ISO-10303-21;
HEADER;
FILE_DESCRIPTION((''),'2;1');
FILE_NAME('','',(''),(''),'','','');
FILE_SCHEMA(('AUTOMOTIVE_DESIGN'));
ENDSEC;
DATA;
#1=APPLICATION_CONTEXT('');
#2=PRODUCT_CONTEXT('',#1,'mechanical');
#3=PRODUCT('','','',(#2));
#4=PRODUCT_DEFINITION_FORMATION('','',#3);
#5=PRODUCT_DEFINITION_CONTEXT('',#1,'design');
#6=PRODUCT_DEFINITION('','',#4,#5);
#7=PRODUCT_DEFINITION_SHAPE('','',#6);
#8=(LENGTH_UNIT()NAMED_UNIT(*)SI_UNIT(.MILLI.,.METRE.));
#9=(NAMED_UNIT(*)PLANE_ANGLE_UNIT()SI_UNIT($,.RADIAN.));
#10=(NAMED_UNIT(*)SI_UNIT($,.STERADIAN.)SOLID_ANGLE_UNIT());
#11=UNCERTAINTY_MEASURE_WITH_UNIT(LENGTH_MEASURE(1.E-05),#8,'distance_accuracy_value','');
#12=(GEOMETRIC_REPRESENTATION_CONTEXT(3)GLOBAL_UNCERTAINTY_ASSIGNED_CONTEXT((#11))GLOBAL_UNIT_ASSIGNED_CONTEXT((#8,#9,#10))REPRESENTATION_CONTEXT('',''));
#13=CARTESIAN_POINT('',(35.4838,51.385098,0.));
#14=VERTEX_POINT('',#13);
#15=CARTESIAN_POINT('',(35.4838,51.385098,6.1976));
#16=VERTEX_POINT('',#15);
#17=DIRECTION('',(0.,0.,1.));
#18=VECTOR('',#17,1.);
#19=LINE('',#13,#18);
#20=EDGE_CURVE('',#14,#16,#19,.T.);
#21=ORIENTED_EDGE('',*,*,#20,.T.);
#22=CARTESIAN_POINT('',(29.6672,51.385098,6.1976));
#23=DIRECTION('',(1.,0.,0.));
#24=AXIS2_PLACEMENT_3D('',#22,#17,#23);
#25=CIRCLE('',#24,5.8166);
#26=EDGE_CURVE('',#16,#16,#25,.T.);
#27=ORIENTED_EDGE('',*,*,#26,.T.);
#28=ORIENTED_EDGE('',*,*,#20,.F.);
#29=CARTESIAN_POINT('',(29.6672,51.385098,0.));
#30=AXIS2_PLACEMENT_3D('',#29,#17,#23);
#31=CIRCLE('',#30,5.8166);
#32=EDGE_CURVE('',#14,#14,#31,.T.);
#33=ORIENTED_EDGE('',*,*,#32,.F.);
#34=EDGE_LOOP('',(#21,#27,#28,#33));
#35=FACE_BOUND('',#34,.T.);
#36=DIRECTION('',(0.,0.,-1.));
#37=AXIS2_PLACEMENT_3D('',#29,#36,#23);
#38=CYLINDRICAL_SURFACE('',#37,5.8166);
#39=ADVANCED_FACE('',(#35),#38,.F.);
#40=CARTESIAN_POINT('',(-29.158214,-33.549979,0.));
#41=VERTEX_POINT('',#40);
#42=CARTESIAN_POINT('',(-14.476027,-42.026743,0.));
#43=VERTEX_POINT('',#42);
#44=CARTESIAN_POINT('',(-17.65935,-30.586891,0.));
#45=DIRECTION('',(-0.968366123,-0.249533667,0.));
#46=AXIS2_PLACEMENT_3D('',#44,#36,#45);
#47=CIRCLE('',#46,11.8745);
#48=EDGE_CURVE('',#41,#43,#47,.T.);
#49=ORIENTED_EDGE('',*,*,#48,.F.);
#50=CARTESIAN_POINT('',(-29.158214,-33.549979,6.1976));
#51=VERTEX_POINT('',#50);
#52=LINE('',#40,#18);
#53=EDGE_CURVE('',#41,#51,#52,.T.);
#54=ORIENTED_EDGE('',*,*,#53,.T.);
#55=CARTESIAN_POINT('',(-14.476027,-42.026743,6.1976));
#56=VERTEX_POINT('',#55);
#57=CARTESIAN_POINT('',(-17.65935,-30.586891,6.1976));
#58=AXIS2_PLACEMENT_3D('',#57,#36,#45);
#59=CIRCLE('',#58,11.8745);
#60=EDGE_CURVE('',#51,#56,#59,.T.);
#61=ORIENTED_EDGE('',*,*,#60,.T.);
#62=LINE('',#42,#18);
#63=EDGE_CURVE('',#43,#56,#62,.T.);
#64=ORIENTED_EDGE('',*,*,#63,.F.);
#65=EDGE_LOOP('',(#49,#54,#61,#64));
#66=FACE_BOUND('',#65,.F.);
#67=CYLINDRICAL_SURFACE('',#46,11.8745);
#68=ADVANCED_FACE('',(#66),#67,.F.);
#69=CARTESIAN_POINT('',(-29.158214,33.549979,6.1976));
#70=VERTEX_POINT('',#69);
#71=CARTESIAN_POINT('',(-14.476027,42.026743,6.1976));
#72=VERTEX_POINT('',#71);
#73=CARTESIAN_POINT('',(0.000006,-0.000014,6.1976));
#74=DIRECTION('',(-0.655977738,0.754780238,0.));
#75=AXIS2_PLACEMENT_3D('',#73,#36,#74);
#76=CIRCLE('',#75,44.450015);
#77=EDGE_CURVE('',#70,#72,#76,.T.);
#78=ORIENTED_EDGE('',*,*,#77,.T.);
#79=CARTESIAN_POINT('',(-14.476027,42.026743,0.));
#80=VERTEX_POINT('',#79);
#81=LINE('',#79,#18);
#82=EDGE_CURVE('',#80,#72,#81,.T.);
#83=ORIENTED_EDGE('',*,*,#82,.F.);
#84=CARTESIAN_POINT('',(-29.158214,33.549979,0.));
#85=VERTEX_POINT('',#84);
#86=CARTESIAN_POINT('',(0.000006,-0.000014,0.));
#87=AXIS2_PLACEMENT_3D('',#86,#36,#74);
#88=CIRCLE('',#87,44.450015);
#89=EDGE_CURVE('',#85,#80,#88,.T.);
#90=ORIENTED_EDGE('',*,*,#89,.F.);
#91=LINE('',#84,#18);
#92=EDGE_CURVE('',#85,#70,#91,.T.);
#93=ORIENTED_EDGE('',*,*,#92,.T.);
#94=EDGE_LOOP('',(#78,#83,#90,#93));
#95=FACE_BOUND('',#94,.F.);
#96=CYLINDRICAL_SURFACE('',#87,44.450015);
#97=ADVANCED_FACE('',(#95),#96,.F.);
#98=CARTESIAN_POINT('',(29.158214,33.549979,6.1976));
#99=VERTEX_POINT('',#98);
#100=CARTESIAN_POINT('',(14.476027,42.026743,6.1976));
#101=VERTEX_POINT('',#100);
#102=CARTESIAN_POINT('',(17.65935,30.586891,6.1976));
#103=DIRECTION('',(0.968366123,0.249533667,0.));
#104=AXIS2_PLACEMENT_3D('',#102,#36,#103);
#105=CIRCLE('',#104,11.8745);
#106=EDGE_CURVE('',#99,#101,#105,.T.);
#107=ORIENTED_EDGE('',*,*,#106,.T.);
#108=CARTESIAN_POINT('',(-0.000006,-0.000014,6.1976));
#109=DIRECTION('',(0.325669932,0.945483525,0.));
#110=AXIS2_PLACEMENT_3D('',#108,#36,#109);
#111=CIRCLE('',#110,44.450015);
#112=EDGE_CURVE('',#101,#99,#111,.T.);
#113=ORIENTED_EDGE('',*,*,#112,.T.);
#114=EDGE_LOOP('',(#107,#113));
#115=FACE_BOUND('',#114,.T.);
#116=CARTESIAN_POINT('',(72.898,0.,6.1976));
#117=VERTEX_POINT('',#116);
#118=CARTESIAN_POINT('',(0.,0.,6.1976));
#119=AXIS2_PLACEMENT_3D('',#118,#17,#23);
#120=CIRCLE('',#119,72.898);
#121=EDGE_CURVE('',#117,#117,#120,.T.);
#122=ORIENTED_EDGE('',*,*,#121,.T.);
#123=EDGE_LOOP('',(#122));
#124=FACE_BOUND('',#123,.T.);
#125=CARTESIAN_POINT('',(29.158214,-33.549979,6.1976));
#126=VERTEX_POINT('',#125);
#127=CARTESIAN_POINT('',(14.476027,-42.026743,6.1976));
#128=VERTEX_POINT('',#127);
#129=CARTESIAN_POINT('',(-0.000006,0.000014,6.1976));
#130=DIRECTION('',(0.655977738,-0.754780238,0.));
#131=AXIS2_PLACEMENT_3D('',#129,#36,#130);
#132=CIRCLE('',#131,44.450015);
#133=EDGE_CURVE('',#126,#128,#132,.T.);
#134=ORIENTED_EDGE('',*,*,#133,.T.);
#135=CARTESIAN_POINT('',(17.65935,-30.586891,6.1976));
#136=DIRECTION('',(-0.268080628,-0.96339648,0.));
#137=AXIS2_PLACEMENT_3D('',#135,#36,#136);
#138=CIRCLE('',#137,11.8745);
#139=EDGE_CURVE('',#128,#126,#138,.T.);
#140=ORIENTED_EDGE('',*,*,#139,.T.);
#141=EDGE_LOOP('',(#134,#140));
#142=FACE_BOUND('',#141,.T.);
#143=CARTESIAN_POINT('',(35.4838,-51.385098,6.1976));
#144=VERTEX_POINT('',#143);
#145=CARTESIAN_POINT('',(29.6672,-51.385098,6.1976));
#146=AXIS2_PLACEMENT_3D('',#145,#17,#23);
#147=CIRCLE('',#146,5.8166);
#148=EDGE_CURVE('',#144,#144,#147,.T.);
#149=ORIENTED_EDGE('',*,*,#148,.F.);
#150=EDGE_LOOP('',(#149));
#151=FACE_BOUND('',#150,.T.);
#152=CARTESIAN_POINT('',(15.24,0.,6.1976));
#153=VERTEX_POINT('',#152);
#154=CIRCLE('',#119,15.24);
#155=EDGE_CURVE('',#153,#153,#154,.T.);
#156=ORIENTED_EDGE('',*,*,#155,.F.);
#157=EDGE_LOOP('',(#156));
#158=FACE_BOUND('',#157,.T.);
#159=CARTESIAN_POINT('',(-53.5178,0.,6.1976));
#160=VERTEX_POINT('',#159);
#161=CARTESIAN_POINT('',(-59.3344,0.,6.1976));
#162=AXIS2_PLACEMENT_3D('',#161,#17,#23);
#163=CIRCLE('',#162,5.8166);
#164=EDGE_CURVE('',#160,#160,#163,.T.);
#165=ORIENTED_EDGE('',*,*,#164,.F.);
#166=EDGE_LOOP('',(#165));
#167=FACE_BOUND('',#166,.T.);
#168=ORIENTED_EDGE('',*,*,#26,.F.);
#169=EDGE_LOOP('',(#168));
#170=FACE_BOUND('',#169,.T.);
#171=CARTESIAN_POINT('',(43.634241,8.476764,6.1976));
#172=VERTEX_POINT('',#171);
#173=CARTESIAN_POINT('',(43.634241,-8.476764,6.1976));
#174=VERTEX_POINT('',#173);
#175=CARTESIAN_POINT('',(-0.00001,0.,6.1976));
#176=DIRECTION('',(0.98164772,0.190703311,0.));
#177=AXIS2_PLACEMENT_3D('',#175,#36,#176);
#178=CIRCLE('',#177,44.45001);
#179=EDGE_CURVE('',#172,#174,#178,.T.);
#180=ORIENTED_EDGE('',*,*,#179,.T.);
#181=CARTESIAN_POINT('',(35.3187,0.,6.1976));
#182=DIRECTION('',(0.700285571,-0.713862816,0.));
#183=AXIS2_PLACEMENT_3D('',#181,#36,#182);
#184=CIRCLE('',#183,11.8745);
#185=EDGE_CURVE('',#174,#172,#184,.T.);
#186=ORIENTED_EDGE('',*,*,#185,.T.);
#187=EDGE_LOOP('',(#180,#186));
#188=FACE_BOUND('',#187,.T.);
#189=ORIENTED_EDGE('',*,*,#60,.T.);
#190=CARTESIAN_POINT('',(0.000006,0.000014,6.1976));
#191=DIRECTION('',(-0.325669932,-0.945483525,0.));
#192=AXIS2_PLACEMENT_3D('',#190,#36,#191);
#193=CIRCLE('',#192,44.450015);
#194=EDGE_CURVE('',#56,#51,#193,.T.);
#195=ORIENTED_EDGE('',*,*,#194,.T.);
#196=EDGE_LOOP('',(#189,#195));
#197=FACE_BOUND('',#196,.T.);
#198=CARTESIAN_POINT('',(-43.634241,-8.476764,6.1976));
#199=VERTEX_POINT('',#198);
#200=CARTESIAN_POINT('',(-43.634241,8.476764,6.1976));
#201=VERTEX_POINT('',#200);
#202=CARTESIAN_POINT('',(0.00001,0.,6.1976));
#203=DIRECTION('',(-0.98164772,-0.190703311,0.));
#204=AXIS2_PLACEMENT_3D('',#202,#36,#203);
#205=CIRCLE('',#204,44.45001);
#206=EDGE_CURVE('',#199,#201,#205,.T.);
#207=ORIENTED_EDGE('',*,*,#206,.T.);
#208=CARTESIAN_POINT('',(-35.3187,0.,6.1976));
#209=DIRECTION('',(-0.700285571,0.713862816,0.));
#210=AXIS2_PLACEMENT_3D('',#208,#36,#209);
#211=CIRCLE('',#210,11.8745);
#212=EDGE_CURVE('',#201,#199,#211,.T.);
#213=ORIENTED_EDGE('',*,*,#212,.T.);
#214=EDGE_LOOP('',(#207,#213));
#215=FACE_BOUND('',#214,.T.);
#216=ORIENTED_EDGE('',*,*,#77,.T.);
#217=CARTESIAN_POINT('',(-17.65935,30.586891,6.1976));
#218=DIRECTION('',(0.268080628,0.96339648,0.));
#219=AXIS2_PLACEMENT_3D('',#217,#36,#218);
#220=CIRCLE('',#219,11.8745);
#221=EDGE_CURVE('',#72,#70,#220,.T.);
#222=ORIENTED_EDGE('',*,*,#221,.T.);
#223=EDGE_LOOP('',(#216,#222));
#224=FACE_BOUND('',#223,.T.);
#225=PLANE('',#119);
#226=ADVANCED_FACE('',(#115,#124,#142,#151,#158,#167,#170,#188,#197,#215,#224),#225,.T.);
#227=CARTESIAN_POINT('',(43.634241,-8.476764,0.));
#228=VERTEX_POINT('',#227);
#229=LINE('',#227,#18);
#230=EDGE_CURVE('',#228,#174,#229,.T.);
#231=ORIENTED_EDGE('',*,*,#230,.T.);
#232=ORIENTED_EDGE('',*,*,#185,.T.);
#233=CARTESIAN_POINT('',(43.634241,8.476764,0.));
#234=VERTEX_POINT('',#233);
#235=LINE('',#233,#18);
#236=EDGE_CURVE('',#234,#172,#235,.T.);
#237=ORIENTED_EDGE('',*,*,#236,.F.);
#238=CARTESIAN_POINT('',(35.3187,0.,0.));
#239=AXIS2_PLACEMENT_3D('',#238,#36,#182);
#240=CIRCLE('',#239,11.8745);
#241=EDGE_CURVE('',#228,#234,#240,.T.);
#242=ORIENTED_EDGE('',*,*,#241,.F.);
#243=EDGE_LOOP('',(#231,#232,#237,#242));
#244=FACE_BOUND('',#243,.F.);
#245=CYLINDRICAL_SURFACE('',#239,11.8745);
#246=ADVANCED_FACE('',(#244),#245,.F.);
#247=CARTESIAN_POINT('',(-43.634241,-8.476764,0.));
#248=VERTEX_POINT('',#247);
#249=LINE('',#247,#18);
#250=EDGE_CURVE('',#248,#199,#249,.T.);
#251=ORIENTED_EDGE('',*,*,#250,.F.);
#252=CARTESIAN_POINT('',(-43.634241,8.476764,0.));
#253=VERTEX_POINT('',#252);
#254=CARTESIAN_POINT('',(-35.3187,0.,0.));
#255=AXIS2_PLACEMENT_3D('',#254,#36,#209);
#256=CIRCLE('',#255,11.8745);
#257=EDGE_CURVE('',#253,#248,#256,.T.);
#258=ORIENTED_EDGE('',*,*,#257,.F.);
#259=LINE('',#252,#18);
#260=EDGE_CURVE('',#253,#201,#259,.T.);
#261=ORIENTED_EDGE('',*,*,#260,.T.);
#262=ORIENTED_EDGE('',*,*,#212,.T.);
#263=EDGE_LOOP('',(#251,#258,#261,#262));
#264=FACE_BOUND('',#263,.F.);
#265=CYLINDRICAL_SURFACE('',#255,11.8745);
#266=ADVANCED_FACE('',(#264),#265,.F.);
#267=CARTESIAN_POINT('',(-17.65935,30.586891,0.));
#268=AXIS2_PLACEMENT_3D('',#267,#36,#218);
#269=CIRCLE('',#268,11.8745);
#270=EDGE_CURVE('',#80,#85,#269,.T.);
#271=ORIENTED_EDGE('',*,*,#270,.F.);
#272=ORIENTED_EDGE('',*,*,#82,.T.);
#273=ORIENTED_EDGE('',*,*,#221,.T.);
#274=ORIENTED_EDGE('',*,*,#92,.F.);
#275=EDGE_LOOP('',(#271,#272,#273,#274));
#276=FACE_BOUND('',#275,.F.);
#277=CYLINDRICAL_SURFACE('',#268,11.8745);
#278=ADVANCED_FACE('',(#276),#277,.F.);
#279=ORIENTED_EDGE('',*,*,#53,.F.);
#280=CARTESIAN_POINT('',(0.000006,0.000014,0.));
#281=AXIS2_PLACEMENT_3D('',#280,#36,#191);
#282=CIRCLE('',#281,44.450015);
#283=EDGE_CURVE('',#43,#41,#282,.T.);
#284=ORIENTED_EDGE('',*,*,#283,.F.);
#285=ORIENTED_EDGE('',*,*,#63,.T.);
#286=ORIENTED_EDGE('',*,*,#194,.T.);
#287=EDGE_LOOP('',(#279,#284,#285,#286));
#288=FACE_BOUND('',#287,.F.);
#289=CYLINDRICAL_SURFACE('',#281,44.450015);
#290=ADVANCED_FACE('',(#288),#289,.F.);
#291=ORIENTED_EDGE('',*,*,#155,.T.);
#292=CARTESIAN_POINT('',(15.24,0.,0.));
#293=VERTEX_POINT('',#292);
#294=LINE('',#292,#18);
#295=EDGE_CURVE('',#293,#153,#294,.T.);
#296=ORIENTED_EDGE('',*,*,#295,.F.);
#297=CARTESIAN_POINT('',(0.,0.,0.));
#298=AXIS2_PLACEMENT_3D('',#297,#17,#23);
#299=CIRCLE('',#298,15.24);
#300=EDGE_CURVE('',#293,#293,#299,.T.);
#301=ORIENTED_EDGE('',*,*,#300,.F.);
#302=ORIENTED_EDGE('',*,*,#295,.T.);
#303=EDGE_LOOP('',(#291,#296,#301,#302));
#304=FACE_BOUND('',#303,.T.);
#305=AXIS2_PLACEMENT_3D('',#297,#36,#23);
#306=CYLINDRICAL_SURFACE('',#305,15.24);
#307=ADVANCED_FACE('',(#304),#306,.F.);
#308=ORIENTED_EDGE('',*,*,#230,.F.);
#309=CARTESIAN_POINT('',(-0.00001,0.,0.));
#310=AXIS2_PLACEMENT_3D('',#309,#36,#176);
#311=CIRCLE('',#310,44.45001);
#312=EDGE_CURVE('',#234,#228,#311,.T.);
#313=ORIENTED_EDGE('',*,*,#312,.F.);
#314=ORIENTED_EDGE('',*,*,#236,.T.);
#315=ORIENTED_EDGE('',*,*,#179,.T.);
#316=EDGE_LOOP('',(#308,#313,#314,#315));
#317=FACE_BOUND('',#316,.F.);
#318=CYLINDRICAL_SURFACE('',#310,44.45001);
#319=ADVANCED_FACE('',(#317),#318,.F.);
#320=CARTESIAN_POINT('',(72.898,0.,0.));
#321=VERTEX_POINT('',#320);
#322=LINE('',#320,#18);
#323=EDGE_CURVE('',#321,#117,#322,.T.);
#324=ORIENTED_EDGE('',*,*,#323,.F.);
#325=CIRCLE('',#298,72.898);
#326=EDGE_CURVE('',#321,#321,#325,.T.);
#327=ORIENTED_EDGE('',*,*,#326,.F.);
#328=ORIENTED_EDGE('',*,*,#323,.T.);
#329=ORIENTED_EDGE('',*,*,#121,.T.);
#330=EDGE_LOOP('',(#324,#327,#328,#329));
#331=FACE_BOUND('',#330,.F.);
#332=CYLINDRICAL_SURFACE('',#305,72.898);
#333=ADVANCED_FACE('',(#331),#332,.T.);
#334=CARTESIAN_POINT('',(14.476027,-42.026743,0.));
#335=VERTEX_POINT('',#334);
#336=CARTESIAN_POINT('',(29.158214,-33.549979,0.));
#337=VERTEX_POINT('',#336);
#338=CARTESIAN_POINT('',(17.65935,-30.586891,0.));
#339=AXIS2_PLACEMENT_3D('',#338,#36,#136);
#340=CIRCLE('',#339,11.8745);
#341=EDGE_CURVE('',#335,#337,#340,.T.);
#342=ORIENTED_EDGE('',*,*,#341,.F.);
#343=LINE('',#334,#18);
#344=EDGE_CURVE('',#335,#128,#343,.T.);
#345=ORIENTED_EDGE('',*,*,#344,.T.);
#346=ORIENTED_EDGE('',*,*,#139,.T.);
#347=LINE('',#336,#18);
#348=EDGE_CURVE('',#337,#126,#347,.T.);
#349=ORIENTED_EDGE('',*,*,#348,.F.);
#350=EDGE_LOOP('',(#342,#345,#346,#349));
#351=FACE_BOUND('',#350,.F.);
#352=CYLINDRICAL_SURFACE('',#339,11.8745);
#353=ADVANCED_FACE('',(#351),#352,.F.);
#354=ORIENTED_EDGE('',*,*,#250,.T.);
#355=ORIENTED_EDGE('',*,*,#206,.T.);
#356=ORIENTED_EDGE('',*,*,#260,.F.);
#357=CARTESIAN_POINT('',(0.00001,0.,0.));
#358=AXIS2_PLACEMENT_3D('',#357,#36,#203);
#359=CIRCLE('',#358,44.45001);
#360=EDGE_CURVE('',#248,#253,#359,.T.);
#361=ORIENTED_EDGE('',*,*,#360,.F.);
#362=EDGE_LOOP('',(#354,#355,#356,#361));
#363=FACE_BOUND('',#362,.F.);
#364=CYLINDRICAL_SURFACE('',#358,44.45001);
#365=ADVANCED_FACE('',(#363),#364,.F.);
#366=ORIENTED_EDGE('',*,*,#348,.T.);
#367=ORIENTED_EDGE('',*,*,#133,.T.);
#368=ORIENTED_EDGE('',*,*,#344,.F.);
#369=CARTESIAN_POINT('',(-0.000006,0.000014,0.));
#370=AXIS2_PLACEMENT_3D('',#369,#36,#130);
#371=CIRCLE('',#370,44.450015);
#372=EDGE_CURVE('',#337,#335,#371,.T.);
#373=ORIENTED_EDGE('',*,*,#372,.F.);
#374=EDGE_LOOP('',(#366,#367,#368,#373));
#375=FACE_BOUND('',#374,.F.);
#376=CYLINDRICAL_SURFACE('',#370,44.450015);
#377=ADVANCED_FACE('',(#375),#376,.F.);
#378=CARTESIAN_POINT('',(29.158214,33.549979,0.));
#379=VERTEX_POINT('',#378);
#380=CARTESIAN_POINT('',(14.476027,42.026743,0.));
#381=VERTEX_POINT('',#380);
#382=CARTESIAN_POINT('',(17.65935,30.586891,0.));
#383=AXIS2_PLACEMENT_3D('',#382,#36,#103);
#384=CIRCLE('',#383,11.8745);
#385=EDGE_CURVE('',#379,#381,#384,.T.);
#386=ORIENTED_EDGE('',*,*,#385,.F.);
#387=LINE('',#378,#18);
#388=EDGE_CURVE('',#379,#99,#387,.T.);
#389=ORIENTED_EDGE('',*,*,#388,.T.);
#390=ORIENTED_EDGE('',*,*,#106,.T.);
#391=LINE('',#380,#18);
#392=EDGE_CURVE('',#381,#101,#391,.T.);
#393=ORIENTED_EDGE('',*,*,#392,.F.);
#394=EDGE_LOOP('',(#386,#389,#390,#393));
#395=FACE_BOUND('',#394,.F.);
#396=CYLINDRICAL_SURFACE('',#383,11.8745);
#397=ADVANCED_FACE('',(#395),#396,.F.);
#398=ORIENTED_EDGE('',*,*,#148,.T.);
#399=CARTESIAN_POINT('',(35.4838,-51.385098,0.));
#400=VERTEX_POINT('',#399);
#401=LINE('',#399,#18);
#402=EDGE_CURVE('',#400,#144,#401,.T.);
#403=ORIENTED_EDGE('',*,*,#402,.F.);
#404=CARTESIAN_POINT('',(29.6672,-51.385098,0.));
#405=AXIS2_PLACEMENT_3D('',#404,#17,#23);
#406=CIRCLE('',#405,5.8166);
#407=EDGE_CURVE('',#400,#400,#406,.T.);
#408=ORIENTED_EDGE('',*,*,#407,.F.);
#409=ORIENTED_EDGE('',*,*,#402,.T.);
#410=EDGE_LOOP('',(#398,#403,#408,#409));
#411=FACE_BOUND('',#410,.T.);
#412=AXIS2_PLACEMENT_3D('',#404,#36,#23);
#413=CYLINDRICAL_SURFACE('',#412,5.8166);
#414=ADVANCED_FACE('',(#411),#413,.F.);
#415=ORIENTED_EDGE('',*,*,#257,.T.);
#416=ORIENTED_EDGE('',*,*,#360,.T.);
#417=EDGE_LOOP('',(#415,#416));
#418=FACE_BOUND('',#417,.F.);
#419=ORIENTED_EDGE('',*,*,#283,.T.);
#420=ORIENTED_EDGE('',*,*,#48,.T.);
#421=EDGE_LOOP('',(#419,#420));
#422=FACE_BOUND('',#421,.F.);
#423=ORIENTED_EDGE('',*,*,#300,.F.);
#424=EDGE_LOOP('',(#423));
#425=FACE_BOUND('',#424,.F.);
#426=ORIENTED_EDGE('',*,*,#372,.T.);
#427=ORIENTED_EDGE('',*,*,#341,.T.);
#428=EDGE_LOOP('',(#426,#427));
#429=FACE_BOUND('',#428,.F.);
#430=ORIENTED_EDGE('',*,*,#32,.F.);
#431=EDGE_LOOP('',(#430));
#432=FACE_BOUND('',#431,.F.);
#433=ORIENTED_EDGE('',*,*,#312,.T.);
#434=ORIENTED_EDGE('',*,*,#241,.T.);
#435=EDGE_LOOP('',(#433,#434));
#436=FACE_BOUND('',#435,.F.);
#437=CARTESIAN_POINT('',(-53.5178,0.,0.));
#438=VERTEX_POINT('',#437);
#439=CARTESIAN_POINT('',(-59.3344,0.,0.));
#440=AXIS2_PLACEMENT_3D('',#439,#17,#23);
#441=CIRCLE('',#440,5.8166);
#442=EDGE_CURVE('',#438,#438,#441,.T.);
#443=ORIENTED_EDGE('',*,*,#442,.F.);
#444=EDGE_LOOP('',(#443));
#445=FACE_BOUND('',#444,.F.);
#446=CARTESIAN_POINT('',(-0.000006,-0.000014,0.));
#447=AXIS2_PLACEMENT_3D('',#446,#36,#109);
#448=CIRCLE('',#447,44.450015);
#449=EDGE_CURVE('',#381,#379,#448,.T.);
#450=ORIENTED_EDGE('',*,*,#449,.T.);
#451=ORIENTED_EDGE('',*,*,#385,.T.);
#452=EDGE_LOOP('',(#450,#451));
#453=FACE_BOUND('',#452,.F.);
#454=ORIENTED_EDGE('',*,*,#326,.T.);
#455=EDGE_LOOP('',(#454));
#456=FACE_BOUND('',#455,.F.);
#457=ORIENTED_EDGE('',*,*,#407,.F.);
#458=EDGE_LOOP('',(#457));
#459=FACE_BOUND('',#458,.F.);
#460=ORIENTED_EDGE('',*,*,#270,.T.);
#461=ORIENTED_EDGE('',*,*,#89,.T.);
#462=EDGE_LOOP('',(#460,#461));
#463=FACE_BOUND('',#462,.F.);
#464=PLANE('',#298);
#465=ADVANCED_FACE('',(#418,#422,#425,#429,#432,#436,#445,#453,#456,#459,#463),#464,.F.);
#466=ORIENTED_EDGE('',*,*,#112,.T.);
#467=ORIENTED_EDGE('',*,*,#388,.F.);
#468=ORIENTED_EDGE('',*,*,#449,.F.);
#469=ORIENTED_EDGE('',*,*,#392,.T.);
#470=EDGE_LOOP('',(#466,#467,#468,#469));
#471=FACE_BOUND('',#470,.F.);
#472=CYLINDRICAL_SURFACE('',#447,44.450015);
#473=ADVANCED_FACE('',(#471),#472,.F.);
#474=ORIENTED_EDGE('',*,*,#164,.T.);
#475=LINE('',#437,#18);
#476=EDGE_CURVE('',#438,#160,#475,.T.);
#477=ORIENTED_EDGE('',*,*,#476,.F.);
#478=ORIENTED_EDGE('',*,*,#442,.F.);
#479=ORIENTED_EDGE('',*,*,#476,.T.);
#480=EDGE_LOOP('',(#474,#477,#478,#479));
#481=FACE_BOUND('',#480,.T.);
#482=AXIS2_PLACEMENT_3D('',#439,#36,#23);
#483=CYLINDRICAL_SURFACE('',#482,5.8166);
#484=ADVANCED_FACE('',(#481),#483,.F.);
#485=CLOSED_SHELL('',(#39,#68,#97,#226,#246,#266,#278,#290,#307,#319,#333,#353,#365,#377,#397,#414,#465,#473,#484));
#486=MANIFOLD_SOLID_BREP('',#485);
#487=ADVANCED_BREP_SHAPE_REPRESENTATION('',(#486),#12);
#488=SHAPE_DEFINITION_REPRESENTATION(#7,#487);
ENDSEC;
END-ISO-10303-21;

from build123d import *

# Parameters (mm, degrees)
F0_R     = 72.898
F0_R_2   = 5.8166
F0_R_3   = 15.24
F1_DEPTH = 6.1976


with BuildPart() as f1:
    # F0 (on Top) → F1 (new body)
    with BuildSketch(Plane.XY):
        Circle(F0_R)
        with BuildLine():
            ThreePointArc((-29.158214, -33.549979), (-11.7221, -20.303273), (-14.476027, -42.026743))
            ThreePointArc((-14.476027, -42.026743), (-22.225, -38.494829), (-29.158214, -33.549979))
        make_face(mode=Mode.SUBTRACT)
        with Locations((29.6672, -51.385098)):
            Circle(F0_R_2, mode=Mode.SUBTRACT)
        with BuildLine():
            ThreePointArc((14.476027, -42.026743), (11.7221, -20.303273), (29.158214, -33.549979))
            ThreePointArc((29.158214, -33.549979), (22.225, -38.494829), (14.476027, -42.026743))
        make_face(mode=Mode.SUBTRACT)
        with Locations((-59.3344, 0)):
            Circle(F0_R_2, mode=Mode.SUBTRACT)
        with BuildLine():
            ThreePointArc((-43.634241, 8.476764), (-23.4442, 0), (-43.634241, -8.476764))
            ThreePointArc((-43.634241, -8.476764), (-44.45, 0), (-43.634241, 8.476764))
        make_face(mode=Mode.SUBTRACT)
        with BuildLine():
            ThreePointArc((-29.158214, 33.549979), (-22.225, 38.494829), (-14.476027, 42.026743))
            ThreePointArc((-14.476027, 42.026743), (-11.7221, 20.303273), (-29.158214, 33.549979))
        make_face(mode=Mode.SUBTRACT)
        Circle(F0_R_3, mode=Mode.SUBTRACT)
        with BuildLine():
            ThreePointArc((43.634241, -8.476764), (23.4442, 0), (43.634241, 8.476764))
            ThreePointArc((43.634241, 8.476764), (44.45, 0), (43.634241, -8.476764))
        make_face(mode=Mode.SUBTRACT)
        with BuildLine():
            ThreePointArc((29.158214, 33.549979), (11.7221, 20.303273), (14.476027, 42.026743))
            ThreePointArc((14.476027, 42.026743), (22.225, 38.494829), (29.158214, 33.549979))
        make_face(mode=Mode.SUBTRACT)
        with Locations((29.6672, 51.385098)):
            Circle(F0_R_2, mode=Mode.SUBTRACT)
    extrude(amount=F1_DEPTH)


solid = f1.part
